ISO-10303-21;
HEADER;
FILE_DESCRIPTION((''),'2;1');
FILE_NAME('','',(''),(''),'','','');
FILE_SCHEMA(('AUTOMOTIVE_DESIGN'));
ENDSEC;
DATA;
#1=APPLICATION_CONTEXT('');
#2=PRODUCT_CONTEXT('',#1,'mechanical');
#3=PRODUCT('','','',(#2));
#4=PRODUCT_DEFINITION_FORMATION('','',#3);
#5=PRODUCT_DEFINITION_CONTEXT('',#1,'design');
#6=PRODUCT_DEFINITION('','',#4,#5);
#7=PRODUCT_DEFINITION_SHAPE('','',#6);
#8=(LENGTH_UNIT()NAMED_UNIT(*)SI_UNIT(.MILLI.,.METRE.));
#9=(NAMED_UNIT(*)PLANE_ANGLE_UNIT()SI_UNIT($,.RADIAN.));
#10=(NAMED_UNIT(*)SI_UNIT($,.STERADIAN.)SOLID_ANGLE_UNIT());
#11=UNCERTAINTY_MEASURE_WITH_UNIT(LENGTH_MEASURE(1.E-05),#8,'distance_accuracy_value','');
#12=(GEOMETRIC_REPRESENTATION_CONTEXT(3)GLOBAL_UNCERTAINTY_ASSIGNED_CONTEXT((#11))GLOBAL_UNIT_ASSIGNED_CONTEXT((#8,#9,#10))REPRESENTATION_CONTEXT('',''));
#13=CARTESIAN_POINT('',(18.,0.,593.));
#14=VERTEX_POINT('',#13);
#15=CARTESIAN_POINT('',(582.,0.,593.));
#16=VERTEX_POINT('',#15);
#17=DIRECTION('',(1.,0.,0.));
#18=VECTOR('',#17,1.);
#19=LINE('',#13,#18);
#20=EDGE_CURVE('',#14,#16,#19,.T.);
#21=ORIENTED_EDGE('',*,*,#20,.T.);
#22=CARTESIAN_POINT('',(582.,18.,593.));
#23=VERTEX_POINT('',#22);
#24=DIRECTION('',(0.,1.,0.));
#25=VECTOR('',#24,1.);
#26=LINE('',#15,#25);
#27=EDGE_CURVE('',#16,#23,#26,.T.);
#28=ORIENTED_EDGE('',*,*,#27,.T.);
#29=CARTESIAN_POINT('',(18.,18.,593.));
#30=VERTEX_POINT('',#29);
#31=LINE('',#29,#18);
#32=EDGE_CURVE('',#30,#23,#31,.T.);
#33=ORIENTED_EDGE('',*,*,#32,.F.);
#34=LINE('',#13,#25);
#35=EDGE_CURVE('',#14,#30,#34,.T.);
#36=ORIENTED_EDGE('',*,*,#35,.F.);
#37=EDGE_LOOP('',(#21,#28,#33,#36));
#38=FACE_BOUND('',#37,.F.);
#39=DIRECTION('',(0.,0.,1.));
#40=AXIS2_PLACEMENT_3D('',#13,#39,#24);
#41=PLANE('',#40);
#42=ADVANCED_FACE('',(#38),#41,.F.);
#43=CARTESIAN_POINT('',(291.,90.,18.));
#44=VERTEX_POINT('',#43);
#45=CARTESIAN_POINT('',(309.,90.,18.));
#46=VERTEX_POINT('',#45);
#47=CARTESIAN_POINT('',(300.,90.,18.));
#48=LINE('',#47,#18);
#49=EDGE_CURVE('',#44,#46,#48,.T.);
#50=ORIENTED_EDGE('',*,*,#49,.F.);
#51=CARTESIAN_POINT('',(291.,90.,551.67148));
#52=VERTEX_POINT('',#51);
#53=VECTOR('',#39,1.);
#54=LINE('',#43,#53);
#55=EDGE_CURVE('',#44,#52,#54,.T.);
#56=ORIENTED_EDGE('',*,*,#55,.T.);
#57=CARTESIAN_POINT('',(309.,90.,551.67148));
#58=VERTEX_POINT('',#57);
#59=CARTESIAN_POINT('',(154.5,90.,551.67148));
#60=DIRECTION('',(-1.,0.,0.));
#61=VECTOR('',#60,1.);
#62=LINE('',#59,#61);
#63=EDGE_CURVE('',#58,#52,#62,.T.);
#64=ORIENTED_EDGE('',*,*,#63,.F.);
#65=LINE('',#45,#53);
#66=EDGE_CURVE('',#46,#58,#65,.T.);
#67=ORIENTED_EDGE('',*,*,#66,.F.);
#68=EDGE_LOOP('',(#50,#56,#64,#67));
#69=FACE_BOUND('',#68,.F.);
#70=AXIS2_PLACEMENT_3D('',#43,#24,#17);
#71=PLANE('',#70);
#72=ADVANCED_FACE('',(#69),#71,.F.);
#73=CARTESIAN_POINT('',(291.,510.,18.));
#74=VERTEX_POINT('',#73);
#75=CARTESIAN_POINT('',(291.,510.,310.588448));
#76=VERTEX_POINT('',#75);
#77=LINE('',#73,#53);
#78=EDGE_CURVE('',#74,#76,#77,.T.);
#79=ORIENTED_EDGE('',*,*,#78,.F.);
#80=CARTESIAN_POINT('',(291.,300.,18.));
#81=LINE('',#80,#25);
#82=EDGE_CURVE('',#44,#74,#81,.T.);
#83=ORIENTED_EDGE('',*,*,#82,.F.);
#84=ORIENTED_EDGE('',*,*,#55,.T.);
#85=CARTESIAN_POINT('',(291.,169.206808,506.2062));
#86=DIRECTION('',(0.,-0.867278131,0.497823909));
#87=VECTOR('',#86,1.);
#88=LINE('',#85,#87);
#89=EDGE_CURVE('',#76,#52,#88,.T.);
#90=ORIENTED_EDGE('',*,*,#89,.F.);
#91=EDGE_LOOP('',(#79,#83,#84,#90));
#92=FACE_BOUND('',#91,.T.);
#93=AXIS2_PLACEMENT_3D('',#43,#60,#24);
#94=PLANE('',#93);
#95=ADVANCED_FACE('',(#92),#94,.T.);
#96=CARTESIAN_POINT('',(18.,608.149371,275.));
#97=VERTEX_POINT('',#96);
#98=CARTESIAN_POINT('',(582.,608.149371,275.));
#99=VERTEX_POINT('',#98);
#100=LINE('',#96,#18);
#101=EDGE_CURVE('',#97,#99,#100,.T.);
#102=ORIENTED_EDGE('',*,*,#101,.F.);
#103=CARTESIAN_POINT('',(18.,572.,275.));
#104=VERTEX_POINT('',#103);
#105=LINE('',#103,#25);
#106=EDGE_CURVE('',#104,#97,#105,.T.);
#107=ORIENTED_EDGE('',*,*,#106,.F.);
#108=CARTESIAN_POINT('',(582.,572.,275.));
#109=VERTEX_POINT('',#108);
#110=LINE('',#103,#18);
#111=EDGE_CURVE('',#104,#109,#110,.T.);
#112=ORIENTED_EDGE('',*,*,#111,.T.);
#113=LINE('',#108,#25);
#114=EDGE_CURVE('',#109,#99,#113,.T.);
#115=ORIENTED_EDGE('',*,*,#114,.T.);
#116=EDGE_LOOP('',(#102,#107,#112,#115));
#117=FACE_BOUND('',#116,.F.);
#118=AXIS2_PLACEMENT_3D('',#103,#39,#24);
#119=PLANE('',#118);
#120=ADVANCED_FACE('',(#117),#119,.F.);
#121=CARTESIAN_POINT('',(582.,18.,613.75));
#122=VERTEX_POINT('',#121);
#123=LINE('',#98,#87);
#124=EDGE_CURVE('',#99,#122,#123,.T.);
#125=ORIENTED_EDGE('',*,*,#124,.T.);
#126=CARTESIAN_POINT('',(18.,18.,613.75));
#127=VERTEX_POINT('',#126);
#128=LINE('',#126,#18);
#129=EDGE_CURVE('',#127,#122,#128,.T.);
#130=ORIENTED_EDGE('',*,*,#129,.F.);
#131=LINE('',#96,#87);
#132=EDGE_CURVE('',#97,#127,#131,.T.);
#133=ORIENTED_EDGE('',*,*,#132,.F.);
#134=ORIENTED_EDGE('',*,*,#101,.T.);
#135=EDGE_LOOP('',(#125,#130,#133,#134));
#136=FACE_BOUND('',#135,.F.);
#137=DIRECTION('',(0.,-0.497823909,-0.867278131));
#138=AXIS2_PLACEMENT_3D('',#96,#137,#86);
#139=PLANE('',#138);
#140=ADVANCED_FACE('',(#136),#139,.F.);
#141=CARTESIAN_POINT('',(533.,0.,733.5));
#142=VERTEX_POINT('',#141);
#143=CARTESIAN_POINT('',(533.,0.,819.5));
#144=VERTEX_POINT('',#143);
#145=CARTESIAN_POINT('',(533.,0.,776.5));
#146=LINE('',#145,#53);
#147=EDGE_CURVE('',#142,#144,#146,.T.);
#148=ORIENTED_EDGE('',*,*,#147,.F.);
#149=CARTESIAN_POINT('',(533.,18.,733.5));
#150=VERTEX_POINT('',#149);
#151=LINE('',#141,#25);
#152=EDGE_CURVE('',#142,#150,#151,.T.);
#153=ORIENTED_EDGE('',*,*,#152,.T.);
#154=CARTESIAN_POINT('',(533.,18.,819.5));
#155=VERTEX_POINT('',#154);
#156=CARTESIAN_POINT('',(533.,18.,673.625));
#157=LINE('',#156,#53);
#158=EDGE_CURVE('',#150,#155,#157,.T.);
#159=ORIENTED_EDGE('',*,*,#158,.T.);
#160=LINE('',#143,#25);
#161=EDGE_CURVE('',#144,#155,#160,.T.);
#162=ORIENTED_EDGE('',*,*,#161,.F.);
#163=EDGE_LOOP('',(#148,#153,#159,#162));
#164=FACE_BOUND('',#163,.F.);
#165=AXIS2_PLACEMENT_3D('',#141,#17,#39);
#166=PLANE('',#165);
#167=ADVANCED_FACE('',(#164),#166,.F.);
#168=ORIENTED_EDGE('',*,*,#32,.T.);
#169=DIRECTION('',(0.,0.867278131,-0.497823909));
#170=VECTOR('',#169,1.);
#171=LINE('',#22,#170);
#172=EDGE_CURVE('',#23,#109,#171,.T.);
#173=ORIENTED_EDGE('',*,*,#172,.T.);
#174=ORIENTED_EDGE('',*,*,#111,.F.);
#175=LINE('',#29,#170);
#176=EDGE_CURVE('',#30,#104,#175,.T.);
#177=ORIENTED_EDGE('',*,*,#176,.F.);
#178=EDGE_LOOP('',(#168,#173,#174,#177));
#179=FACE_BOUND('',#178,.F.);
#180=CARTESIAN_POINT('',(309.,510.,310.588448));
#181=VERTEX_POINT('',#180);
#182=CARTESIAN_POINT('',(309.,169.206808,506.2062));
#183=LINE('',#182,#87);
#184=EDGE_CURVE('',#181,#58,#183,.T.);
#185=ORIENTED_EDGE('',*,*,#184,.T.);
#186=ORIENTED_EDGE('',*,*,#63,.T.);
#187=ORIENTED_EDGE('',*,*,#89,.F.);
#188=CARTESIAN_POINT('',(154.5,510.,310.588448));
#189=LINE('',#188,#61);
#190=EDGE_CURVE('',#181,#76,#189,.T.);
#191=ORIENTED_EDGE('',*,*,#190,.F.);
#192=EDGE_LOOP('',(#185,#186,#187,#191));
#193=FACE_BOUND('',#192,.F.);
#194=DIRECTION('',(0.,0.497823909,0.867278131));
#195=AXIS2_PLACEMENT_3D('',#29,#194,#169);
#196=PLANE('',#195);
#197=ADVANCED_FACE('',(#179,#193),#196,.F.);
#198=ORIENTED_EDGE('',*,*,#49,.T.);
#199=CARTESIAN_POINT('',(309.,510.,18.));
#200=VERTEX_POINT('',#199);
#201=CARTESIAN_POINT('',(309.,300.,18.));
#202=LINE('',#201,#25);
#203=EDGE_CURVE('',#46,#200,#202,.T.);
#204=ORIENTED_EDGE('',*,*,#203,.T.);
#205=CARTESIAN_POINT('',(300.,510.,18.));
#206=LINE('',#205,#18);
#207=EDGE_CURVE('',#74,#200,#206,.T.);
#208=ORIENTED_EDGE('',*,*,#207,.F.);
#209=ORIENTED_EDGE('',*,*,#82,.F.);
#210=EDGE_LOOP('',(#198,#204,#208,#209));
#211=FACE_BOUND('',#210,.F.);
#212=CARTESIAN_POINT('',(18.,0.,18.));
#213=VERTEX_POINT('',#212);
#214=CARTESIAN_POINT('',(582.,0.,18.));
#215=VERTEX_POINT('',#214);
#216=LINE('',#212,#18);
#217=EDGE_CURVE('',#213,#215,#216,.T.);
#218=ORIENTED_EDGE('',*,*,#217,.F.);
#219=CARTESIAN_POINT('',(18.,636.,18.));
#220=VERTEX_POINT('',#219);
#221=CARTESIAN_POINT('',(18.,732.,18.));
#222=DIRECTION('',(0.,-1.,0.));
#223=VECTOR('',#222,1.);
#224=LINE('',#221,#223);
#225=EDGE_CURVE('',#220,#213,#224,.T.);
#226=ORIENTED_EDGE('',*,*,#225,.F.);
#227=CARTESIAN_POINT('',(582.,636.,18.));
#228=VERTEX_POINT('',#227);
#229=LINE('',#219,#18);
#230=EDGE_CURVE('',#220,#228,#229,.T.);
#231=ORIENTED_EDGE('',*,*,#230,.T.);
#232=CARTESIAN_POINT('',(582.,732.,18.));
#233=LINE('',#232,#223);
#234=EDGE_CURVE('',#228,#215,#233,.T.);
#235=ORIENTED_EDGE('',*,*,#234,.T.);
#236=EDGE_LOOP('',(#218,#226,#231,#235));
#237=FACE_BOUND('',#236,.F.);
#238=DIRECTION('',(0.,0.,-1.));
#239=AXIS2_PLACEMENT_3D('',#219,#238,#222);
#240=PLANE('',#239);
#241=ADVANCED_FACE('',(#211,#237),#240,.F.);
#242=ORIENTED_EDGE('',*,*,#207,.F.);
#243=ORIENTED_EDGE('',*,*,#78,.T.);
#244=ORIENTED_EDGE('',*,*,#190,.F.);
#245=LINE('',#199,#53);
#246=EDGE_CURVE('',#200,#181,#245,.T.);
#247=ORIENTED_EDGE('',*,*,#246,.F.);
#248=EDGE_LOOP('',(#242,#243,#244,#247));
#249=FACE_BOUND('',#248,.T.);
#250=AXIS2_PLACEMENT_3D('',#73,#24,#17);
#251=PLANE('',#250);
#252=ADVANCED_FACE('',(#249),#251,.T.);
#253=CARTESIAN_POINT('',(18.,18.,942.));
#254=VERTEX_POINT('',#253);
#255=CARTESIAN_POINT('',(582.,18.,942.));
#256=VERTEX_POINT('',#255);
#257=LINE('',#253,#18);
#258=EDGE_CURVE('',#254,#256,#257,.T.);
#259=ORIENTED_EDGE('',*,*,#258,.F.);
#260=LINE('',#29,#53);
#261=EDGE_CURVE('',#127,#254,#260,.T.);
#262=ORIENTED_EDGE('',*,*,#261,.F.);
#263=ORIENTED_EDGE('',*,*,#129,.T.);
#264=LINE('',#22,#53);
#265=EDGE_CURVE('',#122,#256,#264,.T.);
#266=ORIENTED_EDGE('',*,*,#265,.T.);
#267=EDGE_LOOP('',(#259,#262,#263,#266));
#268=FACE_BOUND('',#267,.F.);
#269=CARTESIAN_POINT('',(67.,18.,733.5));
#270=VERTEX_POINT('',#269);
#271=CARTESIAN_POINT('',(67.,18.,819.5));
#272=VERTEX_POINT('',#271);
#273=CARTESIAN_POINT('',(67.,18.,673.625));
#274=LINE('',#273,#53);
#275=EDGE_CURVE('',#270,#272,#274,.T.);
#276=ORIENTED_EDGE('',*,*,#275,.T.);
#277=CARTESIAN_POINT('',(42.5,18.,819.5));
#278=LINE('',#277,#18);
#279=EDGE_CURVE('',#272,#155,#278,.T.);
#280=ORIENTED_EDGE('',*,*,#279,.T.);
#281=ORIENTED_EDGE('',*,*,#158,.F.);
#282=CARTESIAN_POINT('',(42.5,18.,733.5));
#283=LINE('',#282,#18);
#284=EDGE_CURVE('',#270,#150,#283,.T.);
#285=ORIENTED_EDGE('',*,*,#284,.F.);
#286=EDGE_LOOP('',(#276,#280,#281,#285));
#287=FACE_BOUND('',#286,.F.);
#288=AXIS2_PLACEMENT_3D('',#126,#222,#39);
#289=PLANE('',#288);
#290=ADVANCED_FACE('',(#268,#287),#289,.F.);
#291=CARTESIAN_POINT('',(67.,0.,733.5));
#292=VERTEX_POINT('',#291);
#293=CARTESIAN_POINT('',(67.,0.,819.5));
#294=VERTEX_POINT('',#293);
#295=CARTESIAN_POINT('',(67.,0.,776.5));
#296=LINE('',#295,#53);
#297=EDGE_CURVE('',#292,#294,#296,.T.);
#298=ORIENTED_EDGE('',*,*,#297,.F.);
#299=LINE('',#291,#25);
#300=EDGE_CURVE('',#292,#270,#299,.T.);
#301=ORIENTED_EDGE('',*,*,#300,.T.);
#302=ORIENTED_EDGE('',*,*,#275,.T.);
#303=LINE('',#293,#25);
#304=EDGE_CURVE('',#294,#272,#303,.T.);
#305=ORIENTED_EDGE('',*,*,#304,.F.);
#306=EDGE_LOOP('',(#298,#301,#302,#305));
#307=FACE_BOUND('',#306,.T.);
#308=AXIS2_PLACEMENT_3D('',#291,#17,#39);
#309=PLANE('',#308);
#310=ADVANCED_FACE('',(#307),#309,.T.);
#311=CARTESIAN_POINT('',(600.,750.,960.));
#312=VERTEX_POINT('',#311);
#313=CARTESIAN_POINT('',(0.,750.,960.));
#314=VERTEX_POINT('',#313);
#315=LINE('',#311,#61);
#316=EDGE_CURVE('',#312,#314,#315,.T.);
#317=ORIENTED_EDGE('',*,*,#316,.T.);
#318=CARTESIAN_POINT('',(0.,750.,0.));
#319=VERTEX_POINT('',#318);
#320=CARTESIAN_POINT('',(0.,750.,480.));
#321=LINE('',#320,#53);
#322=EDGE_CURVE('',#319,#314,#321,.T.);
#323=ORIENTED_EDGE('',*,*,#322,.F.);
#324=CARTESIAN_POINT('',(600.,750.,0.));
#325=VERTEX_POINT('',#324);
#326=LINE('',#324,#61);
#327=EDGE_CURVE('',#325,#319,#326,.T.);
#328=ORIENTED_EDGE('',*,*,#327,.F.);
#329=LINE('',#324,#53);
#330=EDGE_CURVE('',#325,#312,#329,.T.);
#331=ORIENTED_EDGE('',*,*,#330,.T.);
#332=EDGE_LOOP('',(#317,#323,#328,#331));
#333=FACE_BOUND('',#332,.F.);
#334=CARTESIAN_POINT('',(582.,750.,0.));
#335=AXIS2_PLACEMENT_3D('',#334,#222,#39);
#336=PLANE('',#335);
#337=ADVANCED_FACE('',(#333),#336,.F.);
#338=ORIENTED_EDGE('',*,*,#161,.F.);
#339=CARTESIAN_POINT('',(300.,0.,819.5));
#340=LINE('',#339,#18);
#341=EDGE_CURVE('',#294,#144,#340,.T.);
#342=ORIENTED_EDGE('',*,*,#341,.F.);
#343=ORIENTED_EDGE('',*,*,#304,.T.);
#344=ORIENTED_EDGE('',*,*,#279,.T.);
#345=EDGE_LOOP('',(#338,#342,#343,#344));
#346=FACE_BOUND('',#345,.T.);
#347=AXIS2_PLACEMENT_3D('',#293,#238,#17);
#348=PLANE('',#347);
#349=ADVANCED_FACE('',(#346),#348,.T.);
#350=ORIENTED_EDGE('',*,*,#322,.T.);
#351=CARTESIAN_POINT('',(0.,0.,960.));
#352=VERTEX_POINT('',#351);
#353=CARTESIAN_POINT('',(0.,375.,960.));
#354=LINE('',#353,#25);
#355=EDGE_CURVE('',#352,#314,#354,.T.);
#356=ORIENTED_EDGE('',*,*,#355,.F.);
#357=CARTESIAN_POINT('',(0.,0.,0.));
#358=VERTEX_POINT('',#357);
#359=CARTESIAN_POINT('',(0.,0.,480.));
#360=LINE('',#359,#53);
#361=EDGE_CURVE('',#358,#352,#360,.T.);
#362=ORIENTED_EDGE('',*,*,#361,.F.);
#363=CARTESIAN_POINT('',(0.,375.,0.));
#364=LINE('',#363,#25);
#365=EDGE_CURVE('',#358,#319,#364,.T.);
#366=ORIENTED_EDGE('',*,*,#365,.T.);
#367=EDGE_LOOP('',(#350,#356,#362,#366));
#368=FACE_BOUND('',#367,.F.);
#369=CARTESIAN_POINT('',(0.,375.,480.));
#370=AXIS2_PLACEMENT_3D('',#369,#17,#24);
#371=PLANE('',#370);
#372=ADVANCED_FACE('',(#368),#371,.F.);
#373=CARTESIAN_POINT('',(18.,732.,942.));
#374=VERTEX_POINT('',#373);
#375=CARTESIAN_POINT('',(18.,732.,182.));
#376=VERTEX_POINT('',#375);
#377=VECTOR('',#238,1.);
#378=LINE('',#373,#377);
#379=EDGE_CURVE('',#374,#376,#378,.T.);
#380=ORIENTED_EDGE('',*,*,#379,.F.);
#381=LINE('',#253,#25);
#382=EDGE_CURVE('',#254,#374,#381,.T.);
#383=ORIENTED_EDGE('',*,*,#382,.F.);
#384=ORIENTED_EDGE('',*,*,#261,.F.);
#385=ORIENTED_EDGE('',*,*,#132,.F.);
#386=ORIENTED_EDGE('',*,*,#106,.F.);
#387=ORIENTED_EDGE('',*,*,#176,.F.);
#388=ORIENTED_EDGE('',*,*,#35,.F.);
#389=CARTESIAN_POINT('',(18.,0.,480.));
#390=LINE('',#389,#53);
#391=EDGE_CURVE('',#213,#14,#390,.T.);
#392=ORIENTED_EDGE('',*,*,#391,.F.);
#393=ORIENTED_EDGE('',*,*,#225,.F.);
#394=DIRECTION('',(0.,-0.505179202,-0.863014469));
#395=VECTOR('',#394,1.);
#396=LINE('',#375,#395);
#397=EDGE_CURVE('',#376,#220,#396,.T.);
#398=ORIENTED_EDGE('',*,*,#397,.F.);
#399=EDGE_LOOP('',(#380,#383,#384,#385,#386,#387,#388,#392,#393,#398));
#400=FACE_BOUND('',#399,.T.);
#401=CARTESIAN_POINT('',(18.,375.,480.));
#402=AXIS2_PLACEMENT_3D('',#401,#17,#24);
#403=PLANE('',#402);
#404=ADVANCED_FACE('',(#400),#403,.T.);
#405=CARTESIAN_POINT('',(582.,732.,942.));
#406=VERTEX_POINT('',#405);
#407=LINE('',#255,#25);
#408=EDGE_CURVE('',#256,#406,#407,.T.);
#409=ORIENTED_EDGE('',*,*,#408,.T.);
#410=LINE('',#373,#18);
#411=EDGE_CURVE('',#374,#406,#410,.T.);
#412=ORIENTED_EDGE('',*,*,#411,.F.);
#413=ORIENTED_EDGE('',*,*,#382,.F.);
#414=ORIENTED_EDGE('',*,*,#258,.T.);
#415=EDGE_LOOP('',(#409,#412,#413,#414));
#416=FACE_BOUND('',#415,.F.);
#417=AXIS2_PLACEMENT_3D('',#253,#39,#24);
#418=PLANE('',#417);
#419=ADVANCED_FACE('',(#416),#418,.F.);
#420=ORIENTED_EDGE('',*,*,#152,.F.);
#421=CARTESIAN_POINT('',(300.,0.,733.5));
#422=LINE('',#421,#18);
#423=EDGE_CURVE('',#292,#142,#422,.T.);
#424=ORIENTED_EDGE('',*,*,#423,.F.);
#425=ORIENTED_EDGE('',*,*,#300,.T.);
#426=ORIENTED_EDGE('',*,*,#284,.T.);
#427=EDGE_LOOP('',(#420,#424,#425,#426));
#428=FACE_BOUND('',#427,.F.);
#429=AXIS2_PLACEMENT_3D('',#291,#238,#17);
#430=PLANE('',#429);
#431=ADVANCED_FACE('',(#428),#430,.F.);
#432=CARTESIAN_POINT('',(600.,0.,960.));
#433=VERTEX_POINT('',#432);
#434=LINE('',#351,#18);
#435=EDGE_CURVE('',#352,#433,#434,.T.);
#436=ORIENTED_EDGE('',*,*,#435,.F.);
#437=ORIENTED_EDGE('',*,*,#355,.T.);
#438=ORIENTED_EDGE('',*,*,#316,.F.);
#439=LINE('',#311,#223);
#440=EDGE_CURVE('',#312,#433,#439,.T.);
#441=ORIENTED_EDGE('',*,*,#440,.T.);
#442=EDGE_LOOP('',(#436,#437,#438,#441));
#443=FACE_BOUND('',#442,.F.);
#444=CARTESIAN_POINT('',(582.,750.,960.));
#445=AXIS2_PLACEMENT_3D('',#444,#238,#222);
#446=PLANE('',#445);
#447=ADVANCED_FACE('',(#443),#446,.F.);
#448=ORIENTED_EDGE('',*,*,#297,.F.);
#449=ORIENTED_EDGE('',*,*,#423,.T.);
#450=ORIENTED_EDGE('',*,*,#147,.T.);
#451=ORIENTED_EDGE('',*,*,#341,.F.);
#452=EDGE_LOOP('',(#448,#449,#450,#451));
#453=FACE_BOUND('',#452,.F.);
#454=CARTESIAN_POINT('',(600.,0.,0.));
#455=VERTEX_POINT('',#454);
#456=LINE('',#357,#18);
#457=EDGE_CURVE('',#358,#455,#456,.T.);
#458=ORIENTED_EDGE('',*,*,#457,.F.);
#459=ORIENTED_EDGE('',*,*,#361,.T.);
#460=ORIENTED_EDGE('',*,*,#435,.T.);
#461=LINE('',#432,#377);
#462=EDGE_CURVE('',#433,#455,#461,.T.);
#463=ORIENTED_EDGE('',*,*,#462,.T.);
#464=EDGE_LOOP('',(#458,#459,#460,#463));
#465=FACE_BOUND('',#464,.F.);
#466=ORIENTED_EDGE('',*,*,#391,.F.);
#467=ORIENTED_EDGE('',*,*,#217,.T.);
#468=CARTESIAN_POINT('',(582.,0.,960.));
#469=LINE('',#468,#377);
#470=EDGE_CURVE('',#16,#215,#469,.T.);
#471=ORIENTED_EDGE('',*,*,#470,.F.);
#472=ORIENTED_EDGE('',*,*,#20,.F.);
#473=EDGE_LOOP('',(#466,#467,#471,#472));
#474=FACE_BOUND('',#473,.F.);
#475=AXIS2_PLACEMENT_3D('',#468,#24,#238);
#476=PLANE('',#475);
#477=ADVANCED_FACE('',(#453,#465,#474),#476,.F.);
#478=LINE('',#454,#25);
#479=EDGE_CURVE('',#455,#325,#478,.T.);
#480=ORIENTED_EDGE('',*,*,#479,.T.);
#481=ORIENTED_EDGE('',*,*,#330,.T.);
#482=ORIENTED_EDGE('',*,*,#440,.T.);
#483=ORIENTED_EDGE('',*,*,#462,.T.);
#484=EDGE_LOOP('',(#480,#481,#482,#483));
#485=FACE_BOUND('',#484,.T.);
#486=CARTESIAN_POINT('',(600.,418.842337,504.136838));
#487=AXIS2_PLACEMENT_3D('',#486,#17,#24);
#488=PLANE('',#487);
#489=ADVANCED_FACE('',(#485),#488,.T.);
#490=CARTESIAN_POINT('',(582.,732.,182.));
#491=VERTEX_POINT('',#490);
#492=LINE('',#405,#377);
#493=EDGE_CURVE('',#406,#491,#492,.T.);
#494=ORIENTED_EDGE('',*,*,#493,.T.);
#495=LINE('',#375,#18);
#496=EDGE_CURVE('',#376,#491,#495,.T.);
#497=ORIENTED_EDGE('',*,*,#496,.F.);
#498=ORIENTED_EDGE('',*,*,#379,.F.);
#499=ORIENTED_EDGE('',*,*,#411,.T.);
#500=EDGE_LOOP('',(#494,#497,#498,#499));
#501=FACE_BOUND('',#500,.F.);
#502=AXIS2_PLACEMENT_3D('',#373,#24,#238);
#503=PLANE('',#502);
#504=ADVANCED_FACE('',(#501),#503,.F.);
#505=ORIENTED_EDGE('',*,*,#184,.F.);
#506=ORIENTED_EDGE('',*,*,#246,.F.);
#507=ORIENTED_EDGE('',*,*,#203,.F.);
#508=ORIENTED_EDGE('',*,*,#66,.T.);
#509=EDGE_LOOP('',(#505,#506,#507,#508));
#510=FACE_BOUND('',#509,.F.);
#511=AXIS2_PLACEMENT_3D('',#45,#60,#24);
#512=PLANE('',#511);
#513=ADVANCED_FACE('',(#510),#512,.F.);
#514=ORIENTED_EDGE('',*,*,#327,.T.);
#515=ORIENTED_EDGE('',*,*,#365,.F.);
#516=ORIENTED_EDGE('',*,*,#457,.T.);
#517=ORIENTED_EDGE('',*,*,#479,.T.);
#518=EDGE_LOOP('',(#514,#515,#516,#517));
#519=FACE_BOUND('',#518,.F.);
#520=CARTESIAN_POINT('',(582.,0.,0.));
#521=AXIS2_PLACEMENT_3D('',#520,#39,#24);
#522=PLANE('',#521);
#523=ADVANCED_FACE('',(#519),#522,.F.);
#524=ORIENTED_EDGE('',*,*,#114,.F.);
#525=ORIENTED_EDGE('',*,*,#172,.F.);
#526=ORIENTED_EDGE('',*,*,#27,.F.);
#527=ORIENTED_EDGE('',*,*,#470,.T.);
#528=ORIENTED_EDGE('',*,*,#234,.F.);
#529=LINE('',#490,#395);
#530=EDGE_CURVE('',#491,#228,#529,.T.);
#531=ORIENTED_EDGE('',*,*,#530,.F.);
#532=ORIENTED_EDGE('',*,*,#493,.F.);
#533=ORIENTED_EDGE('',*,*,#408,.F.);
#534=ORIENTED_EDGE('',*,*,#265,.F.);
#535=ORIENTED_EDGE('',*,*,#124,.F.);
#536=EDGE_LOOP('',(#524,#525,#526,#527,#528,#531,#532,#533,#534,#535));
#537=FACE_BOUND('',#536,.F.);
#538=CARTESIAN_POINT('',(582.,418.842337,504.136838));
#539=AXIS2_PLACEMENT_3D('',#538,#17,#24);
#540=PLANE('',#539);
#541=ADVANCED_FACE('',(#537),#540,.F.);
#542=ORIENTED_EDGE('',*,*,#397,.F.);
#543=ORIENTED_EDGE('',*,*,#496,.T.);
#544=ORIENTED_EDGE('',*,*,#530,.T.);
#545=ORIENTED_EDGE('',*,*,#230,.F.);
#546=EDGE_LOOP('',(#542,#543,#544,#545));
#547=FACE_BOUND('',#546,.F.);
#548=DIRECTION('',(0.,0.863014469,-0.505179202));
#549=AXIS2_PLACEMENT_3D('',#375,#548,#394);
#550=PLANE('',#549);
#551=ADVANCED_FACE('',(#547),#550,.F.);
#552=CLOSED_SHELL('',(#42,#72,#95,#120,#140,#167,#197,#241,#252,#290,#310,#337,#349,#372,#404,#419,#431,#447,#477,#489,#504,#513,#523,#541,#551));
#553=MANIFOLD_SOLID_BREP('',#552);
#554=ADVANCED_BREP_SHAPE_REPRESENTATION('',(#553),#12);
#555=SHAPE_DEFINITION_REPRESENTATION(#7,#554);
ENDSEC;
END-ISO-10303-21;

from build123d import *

# Parameters (mm, degrees)
F0_W     = 750
F0_H     = 960
F1_DEPTH = 18
F3_DEPTH = 564
F5_DEPTH = 18
F6_W     = 466
F6_H     = 86
F7_DEPTH = 25
F8_W     = 18
F8_H     = 420


with BuildPart() as f1:
    # F0 (on Right) → F1 (new body)
    with BuildSketch(Plane.YZ):
        with Locations((375, 480)):
            Rectangle(F0_W, F0_H)
    extrude(amount=F1_DEPTH)

    # F2 (on face) → F3 (join)
    with BuildSketch(Plane.YZ.offset(18)):
        Polygon((0, 18), (0, 0), (750, 0), (750, 960), (0, 960), (0, 593), (18, 593), (18, 613.75), (18, 942), (732, 942), (732, 275), (732, 182), (732, 18), (636, 18), align=None)
        Polygon((18, 613.75), (18, 593), (572, 275), (590, 275), (608.1493710692, 275), align=None)
        Polygon((732, 182), (636, 18), (732, 18), align=None)
    extrude(amount=F3_DEPTH)

    # F4 (on face) → F5 (join)
    with BuildSketch(Plane.YZ.offset(582)):
        Polygon((750, 960), (0, 960), (0, 593), (18, 593), (572, 275), (608.1493710692, 275), (18, 613.75), (18, 942), (732, 942), (732, 182), (636, 18), (0, 18), (0, 0), (750, 0), align=None)
        Polygon((18, 593), (0, 593), (0, 18), (636, 18), (732, 182), (732, 942), (18, 942), (18, 613.75), (608.1493710692, 275), (572, 275), align=None)
    extrude(amount=F5_DEPTH)

    # F6 (on face) → F7 (cut)
    with BuildSketch(Plane.XZ):
        with Locations((300, 776.5)):
            Rectangle(F6_W, F6_H)
    extrude(amount=-F7_DEPTH, mode=Mode.SUBTRACT)

    # F8 (on face) → F9 (join, up to the next surface of F1)
    with BuildSketch(Plane.XY.offset(18)):
        with Locations((300, 300)):
            Rectangle(F8_W, F8_H)
    extrude(until=Until.NEXT)


solid = f1.part
